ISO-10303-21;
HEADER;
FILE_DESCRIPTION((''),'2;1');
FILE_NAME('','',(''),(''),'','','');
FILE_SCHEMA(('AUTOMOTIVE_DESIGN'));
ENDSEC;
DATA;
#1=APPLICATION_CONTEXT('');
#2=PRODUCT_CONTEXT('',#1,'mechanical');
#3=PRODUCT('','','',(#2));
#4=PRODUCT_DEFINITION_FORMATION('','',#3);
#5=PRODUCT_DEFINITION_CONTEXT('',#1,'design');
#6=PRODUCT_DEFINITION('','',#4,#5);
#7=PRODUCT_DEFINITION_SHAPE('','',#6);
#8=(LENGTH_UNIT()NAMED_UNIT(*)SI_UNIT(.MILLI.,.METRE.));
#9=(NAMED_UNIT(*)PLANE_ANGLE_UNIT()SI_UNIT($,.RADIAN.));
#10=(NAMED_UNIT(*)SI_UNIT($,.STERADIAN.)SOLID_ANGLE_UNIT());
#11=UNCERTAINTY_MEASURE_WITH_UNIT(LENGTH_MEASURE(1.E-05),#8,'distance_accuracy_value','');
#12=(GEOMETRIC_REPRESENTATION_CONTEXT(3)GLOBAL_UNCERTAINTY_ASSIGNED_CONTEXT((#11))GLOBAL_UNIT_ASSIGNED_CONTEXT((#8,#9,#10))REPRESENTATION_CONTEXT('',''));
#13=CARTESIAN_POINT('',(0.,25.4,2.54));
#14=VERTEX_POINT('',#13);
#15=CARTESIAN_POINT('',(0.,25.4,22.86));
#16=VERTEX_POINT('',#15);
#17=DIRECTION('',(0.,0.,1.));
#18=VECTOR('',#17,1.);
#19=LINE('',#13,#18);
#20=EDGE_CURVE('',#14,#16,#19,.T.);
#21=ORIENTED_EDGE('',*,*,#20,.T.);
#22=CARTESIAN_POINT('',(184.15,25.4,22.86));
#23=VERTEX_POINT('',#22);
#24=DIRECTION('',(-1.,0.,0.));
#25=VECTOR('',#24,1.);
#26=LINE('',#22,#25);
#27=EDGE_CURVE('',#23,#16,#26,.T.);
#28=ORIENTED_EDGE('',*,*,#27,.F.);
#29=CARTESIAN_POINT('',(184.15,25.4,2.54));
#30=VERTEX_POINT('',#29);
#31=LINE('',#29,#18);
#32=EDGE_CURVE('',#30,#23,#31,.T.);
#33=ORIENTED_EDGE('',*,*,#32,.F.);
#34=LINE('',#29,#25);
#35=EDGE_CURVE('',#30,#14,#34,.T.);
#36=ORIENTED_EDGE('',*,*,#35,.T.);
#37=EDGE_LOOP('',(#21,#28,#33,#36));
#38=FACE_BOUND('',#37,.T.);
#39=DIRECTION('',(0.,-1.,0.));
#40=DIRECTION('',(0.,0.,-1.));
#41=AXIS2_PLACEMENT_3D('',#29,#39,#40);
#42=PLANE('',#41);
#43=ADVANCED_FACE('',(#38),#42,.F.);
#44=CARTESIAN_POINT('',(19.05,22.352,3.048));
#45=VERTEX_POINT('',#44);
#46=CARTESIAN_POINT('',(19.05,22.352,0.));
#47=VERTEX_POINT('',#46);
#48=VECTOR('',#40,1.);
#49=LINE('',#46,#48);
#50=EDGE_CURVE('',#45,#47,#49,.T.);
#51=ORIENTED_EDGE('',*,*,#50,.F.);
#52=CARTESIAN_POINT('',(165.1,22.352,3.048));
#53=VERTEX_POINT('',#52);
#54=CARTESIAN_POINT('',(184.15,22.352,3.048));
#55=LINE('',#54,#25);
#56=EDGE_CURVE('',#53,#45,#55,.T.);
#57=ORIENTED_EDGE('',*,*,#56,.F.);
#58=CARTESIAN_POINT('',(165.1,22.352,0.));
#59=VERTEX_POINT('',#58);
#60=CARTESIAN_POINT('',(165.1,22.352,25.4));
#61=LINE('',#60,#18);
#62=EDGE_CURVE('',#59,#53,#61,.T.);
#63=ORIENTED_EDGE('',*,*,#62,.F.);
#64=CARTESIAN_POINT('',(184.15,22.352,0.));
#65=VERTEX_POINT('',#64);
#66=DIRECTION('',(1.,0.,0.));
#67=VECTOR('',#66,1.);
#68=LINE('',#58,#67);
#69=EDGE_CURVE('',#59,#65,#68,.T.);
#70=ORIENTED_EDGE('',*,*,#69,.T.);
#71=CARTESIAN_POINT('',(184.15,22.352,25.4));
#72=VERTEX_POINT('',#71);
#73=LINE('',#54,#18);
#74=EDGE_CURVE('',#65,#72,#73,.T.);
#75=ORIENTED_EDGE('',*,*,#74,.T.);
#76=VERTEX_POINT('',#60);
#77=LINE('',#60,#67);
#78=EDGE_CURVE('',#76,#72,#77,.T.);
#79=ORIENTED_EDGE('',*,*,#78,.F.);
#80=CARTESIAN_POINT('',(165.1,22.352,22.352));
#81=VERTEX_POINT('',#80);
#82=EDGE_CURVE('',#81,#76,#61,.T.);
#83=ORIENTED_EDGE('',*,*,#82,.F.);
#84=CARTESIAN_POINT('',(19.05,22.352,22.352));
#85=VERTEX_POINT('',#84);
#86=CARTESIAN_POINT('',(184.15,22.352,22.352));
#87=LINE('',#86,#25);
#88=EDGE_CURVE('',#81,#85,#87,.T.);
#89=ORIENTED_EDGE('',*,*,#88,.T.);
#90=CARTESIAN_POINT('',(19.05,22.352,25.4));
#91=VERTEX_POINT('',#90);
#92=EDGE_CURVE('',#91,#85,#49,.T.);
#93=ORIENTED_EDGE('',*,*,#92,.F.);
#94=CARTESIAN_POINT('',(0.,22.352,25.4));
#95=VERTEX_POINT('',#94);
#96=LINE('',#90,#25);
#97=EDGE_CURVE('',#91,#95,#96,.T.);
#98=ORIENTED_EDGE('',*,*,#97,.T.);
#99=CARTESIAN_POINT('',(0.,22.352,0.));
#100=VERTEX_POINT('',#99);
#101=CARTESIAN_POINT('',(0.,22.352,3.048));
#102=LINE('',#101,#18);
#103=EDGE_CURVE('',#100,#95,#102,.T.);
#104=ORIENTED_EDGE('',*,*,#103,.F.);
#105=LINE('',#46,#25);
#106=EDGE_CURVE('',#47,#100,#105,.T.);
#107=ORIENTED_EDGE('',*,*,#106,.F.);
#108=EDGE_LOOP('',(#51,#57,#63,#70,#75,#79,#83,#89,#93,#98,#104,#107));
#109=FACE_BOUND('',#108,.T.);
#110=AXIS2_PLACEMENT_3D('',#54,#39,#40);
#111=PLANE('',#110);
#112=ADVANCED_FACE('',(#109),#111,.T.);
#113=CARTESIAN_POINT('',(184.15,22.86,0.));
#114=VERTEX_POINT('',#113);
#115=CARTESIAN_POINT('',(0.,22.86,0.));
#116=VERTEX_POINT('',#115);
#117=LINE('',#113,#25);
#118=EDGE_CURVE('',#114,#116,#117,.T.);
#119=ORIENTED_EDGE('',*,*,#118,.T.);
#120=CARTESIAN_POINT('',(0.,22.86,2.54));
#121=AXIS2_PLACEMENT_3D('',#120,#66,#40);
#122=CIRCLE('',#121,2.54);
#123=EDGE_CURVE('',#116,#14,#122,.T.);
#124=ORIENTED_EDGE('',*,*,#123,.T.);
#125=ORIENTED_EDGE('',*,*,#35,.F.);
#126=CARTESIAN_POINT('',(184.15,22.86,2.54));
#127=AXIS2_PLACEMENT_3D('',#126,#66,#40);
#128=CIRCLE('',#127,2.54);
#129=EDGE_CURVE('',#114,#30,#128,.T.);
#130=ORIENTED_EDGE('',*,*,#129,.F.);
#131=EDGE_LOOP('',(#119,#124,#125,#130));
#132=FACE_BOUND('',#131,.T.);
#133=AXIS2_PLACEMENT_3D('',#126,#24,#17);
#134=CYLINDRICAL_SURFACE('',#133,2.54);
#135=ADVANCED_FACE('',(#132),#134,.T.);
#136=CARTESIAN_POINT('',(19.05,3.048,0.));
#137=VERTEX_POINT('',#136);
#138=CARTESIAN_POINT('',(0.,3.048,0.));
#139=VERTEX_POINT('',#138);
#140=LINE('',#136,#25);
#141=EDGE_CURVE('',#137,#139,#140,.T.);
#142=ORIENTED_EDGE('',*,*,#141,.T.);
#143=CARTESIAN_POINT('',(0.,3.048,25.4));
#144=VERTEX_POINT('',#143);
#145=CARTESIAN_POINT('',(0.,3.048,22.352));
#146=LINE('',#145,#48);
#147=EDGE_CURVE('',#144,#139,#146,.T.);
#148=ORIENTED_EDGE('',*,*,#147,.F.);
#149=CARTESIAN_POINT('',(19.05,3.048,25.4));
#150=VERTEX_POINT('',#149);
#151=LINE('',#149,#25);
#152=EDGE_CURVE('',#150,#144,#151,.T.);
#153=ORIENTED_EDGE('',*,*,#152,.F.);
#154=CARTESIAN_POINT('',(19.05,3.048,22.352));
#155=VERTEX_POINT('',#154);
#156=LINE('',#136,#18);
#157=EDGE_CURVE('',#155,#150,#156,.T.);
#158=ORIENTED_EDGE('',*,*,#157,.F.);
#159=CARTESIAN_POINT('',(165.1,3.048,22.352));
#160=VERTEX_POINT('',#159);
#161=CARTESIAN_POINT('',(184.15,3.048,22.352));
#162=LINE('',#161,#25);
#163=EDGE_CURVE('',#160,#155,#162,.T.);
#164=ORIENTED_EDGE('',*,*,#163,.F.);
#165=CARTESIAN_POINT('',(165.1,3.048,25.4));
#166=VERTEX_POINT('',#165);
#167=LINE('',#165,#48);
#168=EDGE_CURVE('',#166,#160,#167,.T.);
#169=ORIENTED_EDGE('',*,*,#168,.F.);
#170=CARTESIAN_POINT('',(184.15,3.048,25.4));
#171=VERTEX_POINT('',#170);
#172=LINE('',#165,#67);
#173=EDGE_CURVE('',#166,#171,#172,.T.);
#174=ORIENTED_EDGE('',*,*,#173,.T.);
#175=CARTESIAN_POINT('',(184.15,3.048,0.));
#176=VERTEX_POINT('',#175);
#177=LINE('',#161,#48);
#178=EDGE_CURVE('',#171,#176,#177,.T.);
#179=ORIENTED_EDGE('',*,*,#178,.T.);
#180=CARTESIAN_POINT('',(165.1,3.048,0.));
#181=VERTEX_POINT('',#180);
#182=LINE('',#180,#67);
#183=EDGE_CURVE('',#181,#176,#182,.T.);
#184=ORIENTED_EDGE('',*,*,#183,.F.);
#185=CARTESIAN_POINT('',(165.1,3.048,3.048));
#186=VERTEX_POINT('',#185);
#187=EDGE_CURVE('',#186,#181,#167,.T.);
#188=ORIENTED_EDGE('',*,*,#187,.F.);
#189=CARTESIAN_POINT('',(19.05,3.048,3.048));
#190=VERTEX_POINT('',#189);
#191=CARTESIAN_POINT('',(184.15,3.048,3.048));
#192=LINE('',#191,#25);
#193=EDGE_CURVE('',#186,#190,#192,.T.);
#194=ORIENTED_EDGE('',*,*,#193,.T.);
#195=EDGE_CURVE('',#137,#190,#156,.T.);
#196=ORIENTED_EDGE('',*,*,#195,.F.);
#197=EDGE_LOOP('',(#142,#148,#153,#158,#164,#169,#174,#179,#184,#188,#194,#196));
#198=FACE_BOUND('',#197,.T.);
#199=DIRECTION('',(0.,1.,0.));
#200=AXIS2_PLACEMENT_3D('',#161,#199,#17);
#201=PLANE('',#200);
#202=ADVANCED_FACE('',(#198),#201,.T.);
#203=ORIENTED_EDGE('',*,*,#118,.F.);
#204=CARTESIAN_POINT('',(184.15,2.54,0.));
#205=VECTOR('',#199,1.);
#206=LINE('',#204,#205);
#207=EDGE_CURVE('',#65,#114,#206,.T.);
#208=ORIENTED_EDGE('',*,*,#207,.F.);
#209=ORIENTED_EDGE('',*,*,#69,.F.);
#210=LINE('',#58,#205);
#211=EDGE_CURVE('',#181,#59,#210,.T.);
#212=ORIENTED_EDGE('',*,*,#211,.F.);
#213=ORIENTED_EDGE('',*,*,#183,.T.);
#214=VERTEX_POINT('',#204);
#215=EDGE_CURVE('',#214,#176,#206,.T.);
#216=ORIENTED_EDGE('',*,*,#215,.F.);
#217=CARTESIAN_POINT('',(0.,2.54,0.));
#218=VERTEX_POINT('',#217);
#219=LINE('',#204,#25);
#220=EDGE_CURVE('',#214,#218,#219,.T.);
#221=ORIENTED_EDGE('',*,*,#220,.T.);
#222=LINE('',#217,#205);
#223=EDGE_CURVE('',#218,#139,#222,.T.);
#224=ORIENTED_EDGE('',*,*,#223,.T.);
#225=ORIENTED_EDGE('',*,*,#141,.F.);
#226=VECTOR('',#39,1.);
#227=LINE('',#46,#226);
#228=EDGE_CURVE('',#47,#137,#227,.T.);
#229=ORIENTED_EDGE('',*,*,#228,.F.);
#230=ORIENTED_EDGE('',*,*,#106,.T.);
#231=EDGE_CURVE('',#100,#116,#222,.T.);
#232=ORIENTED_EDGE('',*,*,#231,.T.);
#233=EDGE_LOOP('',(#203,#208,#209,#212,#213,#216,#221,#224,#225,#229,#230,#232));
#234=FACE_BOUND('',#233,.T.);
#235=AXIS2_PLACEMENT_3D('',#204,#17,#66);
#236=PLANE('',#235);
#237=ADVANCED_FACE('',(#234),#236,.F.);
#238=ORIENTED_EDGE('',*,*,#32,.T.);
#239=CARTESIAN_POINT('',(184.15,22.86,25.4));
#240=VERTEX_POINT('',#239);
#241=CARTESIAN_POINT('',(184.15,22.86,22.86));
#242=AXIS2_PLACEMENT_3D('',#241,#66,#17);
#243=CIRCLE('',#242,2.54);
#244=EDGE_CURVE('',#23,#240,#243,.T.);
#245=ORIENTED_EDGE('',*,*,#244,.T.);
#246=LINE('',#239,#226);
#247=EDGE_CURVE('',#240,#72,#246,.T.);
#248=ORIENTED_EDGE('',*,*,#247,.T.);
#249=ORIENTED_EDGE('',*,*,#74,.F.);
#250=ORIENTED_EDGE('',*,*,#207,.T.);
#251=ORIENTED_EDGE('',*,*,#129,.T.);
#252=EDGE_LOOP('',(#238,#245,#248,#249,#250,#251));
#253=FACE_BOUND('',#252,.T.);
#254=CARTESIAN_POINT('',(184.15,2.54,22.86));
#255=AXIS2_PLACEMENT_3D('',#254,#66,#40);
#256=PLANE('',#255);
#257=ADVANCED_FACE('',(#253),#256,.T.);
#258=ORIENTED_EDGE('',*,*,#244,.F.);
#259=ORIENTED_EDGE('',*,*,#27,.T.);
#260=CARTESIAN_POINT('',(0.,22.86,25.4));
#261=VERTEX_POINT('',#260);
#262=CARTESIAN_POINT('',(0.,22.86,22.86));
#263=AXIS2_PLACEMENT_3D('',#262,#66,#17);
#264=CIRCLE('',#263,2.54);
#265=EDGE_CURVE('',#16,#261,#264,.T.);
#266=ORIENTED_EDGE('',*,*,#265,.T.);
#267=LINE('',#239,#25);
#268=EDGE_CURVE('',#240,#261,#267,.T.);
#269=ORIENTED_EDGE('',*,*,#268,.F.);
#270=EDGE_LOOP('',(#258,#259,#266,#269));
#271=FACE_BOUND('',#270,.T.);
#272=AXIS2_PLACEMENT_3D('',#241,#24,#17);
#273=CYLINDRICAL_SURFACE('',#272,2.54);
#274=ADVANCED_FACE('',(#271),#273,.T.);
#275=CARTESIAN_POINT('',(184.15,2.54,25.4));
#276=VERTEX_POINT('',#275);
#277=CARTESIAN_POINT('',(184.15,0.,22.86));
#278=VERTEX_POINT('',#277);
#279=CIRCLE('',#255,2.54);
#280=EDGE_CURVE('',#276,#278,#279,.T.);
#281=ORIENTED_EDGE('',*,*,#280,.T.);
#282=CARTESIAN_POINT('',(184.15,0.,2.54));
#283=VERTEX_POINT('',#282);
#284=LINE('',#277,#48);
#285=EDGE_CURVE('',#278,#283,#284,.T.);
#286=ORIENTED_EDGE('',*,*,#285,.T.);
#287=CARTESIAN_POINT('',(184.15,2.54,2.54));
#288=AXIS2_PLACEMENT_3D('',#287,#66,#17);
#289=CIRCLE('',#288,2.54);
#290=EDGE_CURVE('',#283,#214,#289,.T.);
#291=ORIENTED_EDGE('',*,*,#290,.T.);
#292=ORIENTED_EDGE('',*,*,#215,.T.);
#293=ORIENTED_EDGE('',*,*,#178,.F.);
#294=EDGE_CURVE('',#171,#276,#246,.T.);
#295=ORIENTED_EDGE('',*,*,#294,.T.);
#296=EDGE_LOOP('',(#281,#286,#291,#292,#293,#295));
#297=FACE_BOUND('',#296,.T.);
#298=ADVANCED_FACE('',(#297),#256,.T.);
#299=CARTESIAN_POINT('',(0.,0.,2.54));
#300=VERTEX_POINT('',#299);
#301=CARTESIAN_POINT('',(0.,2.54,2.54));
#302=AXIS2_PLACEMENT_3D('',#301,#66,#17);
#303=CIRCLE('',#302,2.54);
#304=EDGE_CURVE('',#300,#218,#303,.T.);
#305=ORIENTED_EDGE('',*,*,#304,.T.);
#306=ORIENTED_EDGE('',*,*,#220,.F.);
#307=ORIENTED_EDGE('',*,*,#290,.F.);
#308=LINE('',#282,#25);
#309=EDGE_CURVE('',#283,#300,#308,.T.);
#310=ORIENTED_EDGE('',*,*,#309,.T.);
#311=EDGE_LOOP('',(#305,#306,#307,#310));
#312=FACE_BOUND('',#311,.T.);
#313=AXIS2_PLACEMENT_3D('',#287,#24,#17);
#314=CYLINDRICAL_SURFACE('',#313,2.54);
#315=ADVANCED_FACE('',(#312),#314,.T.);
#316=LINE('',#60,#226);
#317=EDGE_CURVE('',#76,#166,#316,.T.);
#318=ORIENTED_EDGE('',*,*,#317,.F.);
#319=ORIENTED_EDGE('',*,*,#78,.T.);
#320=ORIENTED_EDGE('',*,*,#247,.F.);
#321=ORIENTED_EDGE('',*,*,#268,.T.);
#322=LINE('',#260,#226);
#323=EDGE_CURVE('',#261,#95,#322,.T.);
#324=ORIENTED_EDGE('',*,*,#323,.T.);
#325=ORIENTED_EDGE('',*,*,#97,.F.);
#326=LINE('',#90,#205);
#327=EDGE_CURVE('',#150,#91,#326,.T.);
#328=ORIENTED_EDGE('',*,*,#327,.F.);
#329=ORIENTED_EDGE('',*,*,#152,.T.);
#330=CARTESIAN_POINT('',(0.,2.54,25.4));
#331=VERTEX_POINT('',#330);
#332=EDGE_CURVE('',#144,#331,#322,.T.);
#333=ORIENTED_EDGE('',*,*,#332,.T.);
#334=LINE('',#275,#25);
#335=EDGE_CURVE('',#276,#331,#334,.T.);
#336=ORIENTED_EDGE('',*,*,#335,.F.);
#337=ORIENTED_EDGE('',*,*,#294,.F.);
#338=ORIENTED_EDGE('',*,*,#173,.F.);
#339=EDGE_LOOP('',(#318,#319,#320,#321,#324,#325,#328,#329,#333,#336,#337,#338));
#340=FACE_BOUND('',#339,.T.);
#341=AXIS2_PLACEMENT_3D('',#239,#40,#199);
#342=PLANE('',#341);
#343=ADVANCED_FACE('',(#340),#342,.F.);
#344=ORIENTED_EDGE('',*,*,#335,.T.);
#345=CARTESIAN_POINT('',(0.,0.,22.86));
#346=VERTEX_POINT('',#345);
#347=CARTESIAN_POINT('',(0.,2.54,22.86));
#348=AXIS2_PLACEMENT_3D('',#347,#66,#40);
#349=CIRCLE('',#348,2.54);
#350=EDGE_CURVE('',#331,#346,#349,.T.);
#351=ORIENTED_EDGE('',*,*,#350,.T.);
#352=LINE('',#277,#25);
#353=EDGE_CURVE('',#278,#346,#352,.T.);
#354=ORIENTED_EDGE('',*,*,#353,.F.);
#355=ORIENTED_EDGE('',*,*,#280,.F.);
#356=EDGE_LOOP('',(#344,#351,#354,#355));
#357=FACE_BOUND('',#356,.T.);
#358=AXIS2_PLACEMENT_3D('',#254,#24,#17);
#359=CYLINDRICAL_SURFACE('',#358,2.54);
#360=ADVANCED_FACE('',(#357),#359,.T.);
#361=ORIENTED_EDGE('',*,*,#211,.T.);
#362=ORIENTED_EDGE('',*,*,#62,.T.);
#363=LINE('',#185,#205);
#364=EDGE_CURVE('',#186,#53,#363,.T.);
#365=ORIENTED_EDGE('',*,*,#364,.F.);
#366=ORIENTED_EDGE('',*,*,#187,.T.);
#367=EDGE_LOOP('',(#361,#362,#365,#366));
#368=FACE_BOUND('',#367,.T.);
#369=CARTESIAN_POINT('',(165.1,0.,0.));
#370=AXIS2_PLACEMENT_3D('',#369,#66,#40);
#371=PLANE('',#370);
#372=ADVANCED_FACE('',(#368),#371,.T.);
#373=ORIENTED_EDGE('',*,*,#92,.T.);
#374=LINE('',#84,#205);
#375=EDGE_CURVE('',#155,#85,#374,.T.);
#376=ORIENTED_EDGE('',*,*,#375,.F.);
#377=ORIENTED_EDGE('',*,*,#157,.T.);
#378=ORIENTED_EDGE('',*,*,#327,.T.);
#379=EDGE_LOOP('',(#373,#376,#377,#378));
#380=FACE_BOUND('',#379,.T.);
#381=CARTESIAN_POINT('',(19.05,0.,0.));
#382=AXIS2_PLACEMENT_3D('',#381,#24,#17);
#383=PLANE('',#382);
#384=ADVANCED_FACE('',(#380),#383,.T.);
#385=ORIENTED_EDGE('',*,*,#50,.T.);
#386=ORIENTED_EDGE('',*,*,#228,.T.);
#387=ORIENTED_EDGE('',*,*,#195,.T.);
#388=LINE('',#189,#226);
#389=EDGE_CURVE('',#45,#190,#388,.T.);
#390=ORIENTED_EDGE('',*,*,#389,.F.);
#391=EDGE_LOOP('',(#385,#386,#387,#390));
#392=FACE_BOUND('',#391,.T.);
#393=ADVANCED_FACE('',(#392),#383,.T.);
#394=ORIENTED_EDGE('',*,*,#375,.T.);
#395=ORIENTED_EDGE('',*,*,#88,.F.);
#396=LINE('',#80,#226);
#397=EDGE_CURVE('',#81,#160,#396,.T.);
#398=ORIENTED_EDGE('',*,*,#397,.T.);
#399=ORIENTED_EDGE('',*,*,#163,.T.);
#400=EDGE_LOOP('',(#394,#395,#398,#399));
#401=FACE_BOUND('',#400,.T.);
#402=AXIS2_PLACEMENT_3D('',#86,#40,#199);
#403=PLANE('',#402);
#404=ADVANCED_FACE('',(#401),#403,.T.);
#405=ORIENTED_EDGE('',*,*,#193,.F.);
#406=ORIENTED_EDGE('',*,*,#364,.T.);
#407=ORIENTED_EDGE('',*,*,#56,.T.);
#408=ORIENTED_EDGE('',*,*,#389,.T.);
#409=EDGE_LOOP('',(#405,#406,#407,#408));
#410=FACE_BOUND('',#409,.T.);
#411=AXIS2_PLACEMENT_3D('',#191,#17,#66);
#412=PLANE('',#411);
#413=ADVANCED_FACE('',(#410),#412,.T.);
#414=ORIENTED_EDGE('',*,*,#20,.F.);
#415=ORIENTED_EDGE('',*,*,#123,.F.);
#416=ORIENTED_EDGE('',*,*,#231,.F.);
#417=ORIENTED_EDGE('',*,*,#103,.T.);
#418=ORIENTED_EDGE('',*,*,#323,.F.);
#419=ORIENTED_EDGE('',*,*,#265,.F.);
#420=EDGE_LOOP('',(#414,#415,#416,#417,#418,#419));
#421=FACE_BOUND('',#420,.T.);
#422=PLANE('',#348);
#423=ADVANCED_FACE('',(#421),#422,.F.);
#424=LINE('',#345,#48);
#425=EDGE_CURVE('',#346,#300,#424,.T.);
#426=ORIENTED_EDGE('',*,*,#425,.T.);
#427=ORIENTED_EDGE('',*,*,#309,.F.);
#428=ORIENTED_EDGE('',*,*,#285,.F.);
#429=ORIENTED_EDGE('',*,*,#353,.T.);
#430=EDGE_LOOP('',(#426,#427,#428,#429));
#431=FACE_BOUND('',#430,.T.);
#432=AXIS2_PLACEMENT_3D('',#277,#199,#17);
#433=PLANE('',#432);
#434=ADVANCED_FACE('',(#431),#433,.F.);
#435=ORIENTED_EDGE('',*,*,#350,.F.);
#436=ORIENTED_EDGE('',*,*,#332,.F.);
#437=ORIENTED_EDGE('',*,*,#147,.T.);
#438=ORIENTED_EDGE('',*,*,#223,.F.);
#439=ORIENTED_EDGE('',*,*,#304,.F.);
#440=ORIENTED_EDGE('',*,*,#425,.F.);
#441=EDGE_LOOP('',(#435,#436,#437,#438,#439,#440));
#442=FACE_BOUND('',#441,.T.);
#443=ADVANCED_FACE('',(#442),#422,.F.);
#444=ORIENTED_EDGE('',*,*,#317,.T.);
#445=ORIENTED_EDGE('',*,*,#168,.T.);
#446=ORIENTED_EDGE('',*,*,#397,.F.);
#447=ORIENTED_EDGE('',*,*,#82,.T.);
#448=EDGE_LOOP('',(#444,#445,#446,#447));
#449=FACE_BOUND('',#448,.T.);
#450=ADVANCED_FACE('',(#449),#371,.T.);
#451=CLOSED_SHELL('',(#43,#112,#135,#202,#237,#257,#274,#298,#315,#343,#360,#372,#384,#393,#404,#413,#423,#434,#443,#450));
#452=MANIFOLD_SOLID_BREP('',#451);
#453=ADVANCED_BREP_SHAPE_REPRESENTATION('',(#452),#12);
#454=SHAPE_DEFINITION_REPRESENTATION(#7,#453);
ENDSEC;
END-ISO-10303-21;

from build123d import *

# Parameters (mm, degrees)
SKETCH1_W           = 19.304
SKETCH1_H           = 19.304
BOSS_EXTRUDE1_DEPTH = 184.15
SKETCH2_W           = 25.4
SKETCH2_H           = 19.304
CUT_EXTRUDE1_DEPTH  = 19.05
SKETCH3_W           = 25.4
SKETCH3_H           = 19.304
CUT_EXTRUDE2_DEPTH  = 19.05


with BuildPart() as part:
    # Sketch1 → Boss-Extrude1 (new body)
    with BuildSketch(Plane(origin=(0, 0, 0), x_dir=(0, 0, -1), z_dir=(1, 0, 0))):
        with BuildLine():
            Line((0, 2.54), (0, 22.86))
            ThreePointArc((0, 22.86), (-0.743948776, 24.656051224), (-2.54, 25.4))
            Line((-2.54, 25.4), (-22.86, 25.4))
            ThreePointArc((-22.86, 25.4), (-24.656051224, 24.656051224), (-25.4, 22.86))
            Line((-25.4, 22.86), (-25.4, 2.54))
            ThreePointArc((-25.4, 2.54), (-24.656051224, 0.743948776), (-22.86, 0))
            Line((-22.86, 0), (-2.54, 0))
            ThreePointArc((-2.54, 0), (-0.743948776, 0.743948776), (0, 2.54))
        make_face()
        with Locations((-12.7, 12.7)):
            Rectangle(SKETCH1_W, SKETCH1_H, mode=Mode.SUBTRACT)
    extrude(amount=BOSS_EXTRUDE1_DEPTH)

    # Sketch2 → Cut-Extrude1 (cut)
    with BuildSketch(Plane(origin=(184.15, 0, 0), x_dir=(0, 0, -1), z_dir=(1, 0, 0))):
        with Locations((-12.7, 12.7)):
            Rectangle(SKETCH2_W, SKETCH2_H)
    extrude(amount=-CUT_EXTRUDE1_DEPTH, mode=Mode.SUBTRACT)

    # Sketch3 → Cut-Extrude2 (cut)
    with BuildSketch(Plane.ZY):
        with Locations((12.7, 12.7)):
            Rectangle(SKETCH3_W, SKETCH3_H)
    extrude(amount=-CUT_EXTRUDE2_DEPTH, mode=Mode.SUBTRACT)


solid = part.part
